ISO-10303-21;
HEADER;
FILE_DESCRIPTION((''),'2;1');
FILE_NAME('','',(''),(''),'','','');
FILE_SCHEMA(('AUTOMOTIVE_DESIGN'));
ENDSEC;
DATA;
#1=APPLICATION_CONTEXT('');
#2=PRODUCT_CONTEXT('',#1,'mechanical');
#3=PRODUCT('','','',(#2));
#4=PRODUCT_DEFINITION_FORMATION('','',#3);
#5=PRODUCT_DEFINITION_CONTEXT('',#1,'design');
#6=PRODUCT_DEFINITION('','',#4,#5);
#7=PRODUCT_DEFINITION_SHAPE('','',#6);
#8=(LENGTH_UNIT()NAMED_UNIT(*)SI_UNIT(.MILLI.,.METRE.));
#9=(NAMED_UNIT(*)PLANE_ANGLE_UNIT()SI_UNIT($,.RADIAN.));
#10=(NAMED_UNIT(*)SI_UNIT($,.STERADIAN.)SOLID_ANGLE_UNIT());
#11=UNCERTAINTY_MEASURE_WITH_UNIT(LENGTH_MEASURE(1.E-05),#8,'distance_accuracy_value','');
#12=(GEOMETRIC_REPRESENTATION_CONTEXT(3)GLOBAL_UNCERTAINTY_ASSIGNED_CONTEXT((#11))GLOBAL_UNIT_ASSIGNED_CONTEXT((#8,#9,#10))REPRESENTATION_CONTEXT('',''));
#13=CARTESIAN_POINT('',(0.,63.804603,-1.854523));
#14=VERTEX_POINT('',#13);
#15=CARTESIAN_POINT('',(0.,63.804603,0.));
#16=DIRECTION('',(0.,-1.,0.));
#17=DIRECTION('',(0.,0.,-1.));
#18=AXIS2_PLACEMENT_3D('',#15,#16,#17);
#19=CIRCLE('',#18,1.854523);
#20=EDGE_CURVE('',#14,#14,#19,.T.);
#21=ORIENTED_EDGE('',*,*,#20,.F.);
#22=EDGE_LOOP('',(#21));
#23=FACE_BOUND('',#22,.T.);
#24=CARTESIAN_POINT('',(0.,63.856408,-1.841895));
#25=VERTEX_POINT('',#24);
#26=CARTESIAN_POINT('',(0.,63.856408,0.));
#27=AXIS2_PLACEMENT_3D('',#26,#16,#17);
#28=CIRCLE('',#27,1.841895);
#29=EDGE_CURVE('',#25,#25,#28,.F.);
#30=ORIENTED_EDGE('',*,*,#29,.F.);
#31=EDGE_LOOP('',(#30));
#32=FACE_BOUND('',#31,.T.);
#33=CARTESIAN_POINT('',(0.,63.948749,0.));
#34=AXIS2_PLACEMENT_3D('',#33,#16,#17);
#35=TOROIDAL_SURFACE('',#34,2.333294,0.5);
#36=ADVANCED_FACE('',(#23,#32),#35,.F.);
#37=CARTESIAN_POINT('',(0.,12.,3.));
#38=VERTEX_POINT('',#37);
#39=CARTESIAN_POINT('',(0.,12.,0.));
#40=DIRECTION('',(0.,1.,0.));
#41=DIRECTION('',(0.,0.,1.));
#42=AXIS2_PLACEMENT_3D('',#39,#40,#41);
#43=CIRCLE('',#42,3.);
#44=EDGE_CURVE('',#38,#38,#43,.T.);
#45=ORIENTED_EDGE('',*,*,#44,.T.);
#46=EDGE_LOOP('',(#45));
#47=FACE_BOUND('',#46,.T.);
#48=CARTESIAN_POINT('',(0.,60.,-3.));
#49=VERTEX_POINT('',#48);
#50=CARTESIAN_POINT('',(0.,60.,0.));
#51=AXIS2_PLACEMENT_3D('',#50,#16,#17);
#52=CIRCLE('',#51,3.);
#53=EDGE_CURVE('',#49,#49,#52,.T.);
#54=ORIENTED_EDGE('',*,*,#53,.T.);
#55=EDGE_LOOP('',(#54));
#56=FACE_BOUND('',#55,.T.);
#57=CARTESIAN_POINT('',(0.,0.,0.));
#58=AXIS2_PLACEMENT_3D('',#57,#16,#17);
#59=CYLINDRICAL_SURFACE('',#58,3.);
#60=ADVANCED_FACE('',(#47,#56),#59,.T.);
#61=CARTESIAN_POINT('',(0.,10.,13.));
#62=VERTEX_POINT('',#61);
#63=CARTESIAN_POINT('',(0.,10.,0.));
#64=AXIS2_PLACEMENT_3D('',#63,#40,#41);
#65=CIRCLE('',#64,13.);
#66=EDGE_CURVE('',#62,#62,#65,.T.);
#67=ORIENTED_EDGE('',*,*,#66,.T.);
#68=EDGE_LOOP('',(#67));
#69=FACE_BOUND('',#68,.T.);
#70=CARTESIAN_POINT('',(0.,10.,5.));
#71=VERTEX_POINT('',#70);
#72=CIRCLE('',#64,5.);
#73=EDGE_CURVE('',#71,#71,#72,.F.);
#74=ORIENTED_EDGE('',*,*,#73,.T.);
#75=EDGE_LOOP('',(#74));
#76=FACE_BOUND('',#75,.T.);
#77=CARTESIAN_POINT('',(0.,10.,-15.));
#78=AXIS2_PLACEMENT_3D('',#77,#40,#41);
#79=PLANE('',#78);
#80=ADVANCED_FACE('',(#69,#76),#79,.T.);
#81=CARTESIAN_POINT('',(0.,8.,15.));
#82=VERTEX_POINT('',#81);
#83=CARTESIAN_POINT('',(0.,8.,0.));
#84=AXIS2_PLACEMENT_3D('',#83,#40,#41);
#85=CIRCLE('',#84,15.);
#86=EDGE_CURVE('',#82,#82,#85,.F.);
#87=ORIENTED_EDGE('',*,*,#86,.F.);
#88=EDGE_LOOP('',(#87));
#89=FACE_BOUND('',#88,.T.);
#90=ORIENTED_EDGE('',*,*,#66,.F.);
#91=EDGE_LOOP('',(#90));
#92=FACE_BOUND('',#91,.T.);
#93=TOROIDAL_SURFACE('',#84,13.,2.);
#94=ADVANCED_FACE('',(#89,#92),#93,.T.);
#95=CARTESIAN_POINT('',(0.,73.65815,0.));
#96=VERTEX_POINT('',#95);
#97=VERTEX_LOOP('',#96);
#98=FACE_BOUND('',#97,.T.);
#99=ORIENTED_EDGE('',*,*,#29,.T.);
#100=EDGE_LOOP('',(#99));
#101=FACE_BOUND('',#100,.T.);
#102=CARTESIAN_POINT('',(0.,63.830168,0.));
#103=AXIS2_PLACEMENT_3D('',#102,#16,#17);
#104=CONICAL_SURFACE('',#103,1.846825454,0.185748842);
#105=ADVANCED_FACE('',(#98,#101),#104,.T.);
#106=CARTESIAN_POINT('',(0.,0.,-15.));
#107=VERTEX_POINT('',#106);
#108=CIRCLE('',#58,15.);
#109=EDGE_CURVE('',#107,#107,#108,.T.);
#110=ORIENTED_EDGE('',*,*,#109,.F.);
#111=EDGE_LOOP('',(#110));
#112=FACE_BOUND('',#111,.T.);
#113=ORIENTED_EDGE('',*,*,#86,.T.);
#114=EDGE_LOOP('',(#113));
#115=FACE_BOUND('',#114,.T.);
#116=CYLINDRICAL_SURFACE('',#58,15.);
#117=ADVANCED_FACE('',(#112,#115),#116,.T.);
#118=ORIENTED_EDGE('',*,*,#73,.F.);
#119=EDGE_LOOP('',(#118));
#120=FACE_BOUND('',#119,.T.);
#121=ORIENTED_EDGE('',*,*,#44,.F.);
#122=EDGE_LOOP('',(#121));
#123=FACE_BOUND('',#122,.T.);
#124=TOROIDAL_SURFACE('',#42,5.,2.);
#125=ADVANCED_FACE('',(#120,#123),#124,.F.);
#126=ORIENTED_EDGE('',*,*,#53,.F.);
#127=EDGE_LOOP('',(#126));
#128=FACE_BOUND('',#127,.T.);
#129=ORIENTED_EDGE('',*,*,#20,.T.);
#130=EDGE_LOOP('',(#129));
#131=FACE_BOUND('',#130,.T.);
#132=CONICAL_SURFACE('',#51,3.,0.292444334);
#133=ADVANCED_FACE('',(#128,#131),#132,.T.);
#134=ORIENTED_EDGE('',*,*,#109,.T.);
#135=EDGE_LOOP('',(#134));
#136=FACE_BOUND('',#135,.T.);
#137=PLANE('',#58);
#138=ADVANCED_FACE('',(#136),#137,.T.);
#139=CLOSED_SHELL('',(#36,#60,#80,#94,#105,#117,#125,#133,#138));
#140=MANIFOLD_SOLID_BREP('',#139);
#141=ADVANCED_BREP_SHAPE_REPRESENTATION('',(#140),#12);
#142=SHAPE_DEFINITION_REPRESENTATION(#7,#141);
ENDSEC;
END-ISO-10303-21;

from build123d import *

# Parameters (mm, degrees)
CONG_1_R = 2
CONG_2_R = 2
CONG_3_R = 0.5


with BuildPart() as part:
    # Esquisse1 → Révolution1 (revolve)
    with BuildSketch(Plane(origin=(0, 0, 0), x_dir=(0, 0, -1), z_dir=(1, 0, 0))):
        Polygon((0, 0), (15, 0), (15, 10), (3, 10), (3, 60), (1.846825454, 63.830168203), (0, 73.658150486), align=None)
    revolve(axis=Axis((0, 0, 0), (0, 1, 0)))

    # Congé1
    cong_1_edges = [part.edges().sort_by_distance(p)[0] for p in [
        (0, 10, 15),
    ]]
    fillet(cong_1_edges, radius=CONG_1_R)

    # Congé2
    cong_2_edges = [part.edges().sort_by_distance(p)[0] for p in [
        (0, 10, 3),
    ]]
    fillet(cong_2_edges, radius=CONG_2_R)

    # Congé3
    cong_3_edges = [part.edges().sort_by_distance(p)[0] for p in [
        (0, 63.830168203, 1.846825454),
    ]]
    fillet(cong_3_edges, radius=CONG_3_R)


solid = part.part
